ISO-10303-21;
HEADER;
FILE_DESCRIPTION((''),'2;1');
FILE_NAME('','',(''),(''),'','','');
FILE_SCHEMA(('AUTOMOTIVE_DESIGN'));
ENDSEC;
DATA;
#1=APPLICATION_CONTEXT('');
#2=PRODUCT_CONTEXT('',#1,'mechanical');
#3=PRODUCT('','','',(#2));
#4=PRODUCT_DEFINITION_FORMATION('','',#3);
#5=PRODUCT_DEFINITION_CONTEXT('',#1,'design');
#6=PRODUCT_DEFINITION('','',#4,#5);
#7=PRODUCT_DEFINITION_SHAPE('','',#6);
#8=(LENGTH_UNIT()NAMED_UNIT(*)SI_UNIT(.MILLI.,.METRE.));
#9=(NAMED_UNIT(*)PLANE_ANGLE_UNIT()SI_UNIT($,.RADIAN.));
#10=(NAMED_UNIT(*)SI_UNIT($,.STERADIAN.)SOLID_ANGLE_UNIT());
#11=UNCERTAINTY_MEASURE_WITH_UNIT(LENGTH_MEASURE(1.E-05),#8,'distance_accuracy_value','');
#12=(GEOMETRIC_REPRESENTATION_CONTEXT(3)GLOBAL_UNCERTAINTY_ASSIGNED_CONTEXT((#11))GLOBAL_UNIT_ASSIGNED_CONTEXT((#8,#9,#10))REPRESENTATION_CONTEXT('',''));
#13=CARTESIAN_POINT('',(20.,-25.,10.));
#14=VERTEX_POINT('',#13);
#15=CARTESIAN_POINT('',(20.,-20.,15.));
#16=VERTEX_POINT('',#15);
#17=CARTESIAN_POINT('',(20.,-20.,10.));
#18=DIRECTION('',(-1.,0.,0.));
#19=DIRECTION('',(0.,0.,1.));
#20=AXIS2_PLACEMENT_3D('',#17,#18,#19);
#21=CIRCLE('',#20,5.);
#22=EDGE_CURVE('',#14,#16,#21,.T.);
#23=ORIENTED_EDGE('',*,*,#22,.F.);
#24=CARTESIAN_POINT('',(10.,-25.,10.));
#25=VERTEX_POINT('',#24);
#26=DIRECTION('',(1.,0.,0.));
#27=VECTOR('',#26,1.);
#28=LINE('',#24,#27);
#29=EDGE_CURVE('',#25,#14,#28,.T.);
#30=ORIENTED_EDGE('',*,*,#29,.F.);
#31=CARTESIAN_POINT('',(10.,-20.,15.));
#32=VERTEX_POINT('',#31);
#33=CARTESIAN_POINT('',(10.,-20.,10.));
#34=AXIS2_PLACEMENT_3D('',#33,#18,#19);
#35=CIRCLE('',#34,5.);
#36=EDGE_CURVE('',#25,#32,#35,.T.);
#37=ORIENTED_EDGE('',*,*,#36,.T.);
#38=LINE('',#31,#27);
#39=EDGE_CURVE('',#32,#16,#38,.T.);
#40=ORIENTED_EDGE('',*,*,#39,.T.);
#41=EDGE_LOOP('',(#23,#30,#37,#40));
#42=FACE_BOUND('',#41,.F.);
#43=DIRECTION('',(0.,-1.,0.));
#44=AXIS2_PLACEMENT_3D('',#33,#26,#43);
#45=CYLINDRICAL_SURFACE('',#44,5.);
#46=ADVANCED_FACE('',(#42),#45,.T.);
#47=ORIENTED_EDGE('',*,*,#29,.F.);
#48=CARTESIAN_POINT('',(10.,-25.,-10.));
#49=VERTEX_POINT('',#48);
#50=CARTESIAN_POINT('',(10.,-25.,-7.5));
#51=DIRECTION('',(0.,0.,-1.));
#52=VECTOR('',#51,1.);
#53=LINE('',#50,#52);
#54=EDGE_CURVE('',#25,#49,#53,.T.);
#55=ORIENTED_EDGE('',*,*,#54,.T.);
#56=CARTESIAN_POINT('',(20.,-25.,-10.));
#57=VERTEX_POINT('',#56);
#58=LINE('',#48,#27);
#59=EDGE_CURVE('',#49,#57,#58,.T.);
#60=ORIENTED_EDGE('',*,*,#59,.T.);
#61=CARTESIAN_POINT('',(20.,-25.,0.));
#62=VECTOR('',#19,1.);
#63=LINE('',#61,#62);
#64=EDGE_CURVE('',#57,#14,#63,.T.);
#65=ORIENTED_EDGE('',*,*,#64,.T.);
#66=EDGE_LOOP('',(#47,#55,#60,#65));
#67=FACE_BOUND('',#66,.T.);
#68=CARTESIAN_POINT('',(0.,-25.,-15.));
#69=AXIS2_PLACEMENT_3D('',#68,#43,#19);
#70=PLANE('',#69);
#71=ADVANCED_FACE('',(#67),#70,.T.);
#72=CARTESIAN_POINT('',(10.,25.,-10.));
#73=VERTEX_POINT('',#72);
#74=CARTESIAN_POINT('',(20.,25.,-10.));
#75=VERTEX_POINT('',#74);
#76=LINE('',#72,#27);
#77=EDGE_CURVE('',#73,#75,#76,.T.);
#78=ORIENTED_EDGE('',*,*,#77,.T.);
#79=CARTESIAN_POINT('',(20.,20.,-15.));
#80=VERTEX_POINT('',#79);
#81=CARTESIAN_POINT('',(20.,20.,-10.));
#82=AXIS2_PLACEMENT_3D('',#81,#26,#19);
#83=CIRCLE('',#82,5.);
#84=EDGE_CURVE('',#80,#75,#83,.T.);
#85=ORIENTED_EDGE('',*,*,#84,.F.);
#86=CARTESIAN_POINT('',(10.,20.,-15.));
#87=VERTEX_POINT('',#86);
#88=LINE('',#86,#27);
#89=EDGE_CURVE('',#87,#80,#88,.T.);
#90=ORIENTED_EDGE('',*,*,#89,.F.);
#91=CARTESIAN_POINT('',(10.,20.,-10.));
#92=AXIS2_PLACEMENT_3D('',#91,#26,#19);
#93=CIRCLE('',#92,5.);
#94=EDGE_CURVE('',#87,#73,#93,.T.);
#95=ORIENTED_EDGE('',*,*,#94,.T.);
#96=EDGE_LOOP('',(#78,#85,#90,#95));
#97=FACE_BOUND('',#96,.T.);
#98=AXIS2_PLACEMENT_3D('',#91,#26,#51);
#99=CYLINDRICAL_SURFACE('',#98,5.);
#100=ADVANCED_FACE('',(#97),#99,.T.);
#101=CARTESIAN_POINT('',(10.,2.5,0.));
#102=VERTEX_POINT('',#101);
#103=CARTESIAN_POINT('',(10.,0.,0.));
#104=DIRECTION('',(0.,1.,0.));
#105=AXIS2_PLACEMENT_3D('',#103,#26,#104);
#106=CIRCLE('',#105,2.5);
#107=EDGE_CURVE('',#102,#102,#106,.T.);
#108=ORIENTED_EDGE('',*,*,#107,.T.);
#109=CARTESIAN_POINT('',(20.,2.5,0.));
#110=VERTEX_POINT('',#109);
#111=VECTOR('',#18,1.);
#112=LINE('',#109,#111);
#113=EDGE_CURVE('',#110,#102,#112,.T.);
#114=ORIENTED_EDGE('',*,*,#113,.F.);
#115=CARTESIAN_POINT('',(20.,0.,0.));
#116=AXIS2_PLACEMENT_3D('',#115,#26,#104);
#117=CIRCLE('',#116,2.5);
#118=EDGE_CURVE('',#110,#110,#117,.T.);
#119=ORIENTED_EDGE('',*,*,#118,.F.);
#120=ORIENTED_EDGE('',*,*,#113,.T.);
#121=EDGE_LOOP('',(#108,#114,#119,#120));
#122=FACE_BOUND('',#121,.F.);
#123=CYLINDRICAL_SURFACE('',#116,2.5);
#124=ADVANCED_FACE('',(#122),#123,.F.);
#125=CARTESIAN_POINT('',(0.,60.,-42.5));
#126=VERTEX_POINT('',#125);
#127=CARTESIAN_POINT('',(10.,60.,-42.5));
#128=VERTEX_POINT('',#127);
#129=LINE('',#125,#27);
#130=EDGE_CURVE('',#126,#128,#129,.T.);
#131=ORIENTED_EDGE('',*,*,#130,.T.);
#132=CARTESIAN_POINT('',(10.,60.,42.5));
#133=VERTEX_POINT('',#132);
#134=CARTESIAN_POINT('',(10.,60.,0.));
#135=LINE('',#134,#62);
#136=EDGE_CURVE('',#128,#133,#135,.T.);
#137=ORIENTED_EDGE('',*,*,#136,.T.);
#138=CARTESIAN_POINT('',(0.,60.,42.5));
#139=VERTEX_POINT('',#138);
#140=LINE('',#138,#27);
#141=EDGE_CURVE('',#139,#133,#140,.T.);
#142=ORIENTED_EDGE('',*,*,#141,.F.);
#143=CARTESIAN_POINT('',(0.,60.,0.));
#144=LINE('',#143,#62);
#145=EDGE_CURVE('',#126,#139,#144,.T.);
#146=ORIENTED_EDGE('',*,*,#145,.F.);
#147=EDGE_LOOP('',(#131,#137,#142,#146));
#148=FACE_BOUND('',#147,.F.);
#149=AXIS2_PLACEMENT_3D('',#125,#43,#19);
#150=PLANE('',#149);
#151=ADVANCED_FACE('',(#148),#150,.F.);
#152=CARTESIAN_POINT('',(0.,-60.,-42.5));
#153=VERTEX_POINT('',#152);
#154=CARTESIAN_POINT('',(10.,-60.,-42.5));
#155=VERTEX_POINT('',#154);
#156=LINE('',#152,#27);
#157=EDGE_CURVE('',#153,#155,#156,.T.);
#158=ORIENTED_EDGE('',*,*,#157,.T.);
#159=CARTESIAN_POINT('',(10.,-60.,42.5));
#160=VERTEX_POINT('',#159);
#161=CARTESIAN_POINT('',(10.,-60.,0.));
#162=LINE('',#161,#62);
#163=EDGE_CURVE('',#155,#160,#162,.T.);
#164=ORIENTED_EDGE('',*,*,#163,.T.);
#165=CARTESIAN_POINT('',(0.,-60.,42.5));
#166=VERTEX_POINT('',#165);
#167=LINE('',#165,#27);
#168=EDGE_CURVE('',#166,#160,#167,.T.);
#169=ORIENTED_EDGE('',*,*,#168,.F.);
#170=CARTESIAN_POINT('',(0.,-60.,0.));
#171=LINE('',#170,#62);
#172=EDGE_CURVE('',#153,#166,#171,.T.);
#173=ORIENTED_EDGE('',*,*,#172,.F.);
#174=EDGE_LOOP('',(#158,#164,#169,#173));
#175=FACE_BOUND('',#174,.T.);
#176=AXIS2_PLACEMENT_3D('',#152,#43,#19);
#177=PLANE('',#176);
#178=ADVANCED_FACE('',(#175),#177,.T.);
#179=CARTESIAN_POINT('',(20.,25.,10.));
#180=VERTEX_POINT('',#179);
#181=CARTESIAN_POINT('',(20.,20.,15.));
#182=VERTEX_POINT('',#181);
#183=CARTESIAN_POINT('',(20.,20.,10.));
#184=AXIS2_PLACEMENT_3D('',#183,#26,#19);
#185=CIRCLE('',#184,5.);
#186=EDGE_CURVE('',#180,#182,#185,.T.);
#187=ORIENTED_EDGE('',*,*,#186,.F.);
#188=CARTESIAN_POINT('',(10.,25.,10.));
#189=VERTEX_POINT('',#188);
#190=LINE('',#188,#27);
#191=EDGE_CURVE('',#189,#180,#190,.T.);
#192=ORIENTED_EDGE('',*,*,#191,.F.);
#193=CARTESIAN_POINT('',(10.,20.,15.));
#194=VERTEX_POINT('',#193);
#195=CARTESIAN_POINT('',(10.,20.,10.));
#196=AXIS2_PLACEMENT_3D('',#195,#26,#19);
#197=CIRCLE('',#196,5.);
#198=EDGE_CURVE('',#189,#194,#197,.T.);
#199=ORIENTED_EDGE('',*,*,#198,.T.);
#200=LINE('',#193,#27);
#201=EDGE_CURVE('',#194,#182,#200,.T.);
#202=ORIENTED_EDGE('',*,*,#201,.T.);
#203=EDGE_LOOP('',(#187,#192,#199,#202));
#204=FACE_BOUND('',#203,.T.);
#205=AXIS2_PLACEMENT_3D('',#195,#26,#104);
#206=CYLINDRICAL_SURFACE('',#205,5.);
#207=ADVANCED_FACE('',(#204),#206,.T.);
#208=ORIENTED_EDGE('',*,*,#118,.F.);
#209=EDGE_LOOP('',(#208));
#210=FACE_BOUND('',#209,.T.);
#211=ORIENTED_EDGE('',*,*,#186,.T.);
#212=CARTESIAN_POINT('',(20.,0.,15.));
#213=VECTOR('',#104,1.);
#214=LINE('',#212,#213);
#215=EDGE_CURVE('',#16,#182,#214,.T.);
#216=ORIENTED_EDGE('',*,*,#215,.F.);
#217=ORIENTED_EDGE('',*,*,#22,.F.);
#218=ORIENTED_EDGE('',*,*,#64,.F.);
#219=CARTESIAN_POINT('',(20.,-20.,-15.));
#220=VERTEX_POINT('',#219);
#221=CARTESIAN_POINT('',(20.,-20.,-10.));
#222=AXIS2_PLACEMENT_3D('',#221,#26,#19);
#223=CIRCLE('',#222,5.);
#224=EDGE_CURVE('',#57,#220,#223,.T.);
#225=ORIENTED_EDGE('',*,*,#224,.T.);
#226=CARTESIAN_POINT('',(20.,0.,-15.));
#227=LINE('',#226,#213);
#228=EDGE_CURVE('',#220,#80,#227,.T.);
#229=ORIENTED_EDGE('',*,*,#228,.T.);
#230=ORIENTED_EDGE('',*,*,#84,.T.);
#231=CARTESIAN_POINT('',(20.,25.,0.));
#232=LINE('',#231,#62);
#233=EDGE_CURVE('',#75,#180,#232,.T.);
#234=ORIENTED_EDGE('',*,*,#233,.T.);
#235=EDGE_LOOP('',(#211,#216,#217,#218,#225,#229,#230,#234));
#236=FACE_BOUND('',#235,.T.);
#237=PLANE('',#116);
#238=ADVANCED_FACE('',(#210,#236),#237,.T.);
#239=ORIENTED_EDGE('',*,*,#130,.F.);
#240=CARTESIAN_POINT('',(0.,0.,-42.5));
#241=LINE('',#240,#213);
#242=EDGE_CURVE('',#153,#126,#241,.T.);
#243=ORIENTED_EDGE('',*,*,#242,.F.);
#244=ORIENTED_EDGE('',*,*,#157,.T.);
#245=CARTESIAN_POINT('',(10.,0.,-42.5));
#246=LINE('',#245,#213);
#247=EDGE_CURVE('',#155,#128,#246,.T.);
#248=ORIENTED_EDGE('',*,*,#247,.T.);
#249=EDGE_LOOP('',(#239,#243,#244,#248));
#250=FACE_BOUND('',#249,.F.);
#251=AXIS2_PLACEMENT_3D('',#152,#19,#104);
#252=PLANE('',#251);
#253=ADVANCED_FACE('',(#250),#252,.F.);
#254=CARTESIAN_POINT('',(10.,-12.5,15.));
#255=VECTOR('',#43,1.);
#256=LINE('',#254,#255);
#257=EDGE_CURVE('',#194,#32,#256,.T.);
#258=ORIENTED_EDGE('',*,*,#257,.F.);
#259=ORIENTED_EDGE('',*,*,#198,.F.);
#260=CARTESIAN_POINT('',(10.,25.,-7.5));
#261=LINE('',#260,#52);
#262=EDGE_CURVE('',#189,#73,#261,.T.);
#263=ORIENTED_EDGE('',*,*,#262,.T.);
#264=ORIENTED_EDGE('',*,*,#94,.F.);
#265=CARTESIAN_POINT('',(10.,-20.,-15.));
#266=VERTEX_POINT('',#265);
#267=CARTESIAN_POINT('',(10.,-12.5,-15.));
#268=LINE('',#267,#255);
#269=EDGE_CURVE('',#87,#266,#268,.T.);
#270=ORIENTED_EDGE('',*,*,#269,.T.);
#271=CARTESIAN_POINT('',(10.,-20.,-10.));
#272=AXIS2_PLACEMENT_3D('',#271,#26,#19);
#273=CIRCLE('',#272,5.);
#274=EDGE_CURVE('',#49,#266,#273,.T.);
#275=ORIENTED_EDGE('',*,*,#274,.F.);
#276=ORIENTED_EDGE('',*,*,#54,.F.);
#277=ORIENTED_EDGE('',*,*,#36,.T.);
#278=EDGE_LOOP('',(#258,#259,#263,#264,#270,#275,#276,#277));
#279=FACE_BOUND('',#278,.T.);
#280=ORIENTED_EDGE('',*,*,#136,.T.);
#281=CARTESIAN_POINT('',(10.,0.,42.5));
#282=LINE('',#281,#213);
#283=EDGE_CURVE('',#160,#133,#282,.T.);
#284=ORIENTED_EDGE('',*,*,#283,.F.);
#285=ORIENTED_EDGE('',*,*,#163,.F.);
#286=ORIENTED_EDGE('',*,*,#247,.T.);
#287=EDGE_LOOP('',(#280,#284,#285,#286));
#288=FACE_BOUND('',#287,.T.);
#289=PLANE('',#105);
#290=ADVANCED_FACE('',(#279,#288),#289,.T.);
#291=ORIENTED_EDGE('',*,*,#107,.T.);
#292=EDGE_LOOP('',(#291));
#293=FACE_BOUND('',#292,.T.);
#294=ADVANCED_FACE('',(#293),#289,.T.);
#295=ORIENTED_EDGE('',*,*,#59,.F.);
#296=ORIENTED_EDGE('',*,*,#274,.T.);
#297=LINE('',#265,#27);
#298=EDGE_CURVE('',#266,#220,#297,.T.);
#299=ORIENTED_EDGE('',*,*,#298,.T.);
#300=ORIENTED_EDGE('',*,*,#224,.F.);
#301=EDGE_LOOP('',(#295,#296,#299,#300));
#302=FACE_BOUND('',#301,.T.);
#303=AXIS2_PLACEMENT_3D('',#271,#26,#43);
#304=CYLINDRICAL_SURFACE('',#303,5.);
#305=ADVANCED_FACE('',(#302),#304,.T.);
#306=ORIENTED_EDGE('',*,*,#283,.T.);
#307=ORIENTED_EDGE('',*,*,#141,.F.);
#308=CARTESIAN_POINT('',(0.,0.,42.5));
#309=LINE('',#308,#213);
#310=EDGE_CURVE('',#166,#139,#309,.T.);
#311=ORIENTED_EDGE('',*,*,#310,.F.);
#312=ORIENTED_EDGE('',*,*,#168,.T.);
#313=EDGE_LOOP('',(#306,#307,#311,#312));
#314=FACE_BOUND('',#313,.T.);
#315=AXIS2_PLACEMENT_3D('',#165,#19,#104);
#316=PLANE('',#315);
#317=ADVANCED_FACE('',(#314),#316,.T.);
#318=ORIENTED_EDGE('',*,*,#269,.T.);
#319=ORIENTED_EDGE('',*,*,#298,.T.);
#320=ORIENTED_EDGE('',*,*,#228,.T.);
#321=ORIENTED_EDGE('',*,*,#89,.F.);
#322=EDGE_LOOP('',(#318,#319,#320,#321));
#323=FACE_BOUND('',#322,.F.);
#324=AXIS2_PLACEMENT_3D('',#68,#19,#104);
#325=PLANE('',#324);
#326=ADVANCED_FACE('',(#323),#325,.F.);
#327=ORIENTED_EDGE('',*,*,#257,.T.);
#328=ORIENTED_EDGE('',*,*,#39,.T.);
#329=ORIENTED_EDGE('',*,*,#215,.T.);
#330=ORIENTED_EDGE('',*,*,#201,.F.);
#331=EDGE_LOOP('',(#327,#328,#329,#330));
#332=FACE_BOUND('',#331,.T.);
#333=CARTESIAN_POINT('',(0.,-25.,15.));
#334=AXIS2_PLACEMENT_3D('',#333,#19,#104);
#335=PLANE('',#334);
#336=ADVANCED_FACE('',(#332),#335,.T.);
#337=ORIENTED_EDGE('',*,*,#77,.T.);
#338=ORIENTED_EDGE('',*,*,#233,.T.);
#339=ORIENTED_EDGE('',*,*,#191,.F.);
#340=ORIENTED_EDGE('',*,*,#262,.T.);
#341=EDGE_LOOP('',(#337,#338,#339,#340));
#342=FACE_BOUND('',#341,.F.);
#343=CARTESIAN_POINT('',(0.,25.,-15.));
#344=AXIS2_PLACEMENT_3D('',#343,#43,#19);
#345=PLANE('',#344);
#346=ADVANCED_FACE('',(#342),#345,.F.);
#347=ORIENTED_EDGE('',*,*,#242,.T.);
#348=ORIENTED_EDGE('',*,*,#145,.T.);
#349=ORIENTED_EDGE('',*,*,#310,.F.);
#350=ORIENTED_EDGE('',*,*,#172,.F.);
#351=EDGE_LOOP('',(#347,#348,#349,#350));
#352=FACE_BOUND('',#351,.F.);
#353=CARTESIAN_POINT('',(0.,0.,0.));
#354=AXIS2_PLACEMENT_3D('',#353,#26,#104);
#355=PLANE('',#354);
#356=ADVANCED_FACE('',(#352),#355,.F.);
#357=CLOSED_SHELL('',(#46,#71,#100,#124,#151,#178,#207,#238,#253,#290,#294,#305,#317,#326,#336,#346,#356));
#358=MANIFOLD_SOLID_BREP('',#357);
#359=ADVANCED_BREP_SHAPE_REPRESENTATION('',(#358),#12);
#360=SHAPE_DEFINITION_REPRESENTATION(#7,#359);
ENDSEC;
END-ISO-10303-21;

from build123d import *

# Parameters (mm, degrees)
F0_W     = 120
F0_H     = 85
F0_W_2   = 50
F0_H_2   = 30
F1_DEPTH = 10
F2_DEPTH = 20
F3_R     = 2.5
F4_DEPTH = 10
F5_R     = 5


with BuildPart() as f1:
    # F0 (on Right) → F1 (new body)
    with BuildSketch(Plane.YZ):
        Rectangle(F0_W, F0_H)
        Rectangle(F0_W_2, F0_H_2, mode=Mode.SUBTRACT)
        Rectangle(F0_W_2, F0_H_2)
    extrude(amount=F1_DEPTH)

    # F0 (on Right) → F2 (join)
    with BuildSketch(Plane.YZ):
        Rectangle(F0_W_2, F0_H_2)
    extrude(amount=F2_DEPTH)

    # F3 (on face) → F4 (cut)
    with BuildSketch(Plane.YZ.offset(20)):
        Circle(F3_R)
    extrude(amount=-F4_DEPTH, mode=Mode.SUBTRACT)

    # F5
    f5_edges = [f1.edges().sort_by_distance(p)[0] for p in [
        (15, -25, 15),
        (15, 25, 15),
        (15, -25, -15),
        (15, 25, -15),
    ]]
    fillet(f5_edges, radius=F5_R)


solid = f1.part
